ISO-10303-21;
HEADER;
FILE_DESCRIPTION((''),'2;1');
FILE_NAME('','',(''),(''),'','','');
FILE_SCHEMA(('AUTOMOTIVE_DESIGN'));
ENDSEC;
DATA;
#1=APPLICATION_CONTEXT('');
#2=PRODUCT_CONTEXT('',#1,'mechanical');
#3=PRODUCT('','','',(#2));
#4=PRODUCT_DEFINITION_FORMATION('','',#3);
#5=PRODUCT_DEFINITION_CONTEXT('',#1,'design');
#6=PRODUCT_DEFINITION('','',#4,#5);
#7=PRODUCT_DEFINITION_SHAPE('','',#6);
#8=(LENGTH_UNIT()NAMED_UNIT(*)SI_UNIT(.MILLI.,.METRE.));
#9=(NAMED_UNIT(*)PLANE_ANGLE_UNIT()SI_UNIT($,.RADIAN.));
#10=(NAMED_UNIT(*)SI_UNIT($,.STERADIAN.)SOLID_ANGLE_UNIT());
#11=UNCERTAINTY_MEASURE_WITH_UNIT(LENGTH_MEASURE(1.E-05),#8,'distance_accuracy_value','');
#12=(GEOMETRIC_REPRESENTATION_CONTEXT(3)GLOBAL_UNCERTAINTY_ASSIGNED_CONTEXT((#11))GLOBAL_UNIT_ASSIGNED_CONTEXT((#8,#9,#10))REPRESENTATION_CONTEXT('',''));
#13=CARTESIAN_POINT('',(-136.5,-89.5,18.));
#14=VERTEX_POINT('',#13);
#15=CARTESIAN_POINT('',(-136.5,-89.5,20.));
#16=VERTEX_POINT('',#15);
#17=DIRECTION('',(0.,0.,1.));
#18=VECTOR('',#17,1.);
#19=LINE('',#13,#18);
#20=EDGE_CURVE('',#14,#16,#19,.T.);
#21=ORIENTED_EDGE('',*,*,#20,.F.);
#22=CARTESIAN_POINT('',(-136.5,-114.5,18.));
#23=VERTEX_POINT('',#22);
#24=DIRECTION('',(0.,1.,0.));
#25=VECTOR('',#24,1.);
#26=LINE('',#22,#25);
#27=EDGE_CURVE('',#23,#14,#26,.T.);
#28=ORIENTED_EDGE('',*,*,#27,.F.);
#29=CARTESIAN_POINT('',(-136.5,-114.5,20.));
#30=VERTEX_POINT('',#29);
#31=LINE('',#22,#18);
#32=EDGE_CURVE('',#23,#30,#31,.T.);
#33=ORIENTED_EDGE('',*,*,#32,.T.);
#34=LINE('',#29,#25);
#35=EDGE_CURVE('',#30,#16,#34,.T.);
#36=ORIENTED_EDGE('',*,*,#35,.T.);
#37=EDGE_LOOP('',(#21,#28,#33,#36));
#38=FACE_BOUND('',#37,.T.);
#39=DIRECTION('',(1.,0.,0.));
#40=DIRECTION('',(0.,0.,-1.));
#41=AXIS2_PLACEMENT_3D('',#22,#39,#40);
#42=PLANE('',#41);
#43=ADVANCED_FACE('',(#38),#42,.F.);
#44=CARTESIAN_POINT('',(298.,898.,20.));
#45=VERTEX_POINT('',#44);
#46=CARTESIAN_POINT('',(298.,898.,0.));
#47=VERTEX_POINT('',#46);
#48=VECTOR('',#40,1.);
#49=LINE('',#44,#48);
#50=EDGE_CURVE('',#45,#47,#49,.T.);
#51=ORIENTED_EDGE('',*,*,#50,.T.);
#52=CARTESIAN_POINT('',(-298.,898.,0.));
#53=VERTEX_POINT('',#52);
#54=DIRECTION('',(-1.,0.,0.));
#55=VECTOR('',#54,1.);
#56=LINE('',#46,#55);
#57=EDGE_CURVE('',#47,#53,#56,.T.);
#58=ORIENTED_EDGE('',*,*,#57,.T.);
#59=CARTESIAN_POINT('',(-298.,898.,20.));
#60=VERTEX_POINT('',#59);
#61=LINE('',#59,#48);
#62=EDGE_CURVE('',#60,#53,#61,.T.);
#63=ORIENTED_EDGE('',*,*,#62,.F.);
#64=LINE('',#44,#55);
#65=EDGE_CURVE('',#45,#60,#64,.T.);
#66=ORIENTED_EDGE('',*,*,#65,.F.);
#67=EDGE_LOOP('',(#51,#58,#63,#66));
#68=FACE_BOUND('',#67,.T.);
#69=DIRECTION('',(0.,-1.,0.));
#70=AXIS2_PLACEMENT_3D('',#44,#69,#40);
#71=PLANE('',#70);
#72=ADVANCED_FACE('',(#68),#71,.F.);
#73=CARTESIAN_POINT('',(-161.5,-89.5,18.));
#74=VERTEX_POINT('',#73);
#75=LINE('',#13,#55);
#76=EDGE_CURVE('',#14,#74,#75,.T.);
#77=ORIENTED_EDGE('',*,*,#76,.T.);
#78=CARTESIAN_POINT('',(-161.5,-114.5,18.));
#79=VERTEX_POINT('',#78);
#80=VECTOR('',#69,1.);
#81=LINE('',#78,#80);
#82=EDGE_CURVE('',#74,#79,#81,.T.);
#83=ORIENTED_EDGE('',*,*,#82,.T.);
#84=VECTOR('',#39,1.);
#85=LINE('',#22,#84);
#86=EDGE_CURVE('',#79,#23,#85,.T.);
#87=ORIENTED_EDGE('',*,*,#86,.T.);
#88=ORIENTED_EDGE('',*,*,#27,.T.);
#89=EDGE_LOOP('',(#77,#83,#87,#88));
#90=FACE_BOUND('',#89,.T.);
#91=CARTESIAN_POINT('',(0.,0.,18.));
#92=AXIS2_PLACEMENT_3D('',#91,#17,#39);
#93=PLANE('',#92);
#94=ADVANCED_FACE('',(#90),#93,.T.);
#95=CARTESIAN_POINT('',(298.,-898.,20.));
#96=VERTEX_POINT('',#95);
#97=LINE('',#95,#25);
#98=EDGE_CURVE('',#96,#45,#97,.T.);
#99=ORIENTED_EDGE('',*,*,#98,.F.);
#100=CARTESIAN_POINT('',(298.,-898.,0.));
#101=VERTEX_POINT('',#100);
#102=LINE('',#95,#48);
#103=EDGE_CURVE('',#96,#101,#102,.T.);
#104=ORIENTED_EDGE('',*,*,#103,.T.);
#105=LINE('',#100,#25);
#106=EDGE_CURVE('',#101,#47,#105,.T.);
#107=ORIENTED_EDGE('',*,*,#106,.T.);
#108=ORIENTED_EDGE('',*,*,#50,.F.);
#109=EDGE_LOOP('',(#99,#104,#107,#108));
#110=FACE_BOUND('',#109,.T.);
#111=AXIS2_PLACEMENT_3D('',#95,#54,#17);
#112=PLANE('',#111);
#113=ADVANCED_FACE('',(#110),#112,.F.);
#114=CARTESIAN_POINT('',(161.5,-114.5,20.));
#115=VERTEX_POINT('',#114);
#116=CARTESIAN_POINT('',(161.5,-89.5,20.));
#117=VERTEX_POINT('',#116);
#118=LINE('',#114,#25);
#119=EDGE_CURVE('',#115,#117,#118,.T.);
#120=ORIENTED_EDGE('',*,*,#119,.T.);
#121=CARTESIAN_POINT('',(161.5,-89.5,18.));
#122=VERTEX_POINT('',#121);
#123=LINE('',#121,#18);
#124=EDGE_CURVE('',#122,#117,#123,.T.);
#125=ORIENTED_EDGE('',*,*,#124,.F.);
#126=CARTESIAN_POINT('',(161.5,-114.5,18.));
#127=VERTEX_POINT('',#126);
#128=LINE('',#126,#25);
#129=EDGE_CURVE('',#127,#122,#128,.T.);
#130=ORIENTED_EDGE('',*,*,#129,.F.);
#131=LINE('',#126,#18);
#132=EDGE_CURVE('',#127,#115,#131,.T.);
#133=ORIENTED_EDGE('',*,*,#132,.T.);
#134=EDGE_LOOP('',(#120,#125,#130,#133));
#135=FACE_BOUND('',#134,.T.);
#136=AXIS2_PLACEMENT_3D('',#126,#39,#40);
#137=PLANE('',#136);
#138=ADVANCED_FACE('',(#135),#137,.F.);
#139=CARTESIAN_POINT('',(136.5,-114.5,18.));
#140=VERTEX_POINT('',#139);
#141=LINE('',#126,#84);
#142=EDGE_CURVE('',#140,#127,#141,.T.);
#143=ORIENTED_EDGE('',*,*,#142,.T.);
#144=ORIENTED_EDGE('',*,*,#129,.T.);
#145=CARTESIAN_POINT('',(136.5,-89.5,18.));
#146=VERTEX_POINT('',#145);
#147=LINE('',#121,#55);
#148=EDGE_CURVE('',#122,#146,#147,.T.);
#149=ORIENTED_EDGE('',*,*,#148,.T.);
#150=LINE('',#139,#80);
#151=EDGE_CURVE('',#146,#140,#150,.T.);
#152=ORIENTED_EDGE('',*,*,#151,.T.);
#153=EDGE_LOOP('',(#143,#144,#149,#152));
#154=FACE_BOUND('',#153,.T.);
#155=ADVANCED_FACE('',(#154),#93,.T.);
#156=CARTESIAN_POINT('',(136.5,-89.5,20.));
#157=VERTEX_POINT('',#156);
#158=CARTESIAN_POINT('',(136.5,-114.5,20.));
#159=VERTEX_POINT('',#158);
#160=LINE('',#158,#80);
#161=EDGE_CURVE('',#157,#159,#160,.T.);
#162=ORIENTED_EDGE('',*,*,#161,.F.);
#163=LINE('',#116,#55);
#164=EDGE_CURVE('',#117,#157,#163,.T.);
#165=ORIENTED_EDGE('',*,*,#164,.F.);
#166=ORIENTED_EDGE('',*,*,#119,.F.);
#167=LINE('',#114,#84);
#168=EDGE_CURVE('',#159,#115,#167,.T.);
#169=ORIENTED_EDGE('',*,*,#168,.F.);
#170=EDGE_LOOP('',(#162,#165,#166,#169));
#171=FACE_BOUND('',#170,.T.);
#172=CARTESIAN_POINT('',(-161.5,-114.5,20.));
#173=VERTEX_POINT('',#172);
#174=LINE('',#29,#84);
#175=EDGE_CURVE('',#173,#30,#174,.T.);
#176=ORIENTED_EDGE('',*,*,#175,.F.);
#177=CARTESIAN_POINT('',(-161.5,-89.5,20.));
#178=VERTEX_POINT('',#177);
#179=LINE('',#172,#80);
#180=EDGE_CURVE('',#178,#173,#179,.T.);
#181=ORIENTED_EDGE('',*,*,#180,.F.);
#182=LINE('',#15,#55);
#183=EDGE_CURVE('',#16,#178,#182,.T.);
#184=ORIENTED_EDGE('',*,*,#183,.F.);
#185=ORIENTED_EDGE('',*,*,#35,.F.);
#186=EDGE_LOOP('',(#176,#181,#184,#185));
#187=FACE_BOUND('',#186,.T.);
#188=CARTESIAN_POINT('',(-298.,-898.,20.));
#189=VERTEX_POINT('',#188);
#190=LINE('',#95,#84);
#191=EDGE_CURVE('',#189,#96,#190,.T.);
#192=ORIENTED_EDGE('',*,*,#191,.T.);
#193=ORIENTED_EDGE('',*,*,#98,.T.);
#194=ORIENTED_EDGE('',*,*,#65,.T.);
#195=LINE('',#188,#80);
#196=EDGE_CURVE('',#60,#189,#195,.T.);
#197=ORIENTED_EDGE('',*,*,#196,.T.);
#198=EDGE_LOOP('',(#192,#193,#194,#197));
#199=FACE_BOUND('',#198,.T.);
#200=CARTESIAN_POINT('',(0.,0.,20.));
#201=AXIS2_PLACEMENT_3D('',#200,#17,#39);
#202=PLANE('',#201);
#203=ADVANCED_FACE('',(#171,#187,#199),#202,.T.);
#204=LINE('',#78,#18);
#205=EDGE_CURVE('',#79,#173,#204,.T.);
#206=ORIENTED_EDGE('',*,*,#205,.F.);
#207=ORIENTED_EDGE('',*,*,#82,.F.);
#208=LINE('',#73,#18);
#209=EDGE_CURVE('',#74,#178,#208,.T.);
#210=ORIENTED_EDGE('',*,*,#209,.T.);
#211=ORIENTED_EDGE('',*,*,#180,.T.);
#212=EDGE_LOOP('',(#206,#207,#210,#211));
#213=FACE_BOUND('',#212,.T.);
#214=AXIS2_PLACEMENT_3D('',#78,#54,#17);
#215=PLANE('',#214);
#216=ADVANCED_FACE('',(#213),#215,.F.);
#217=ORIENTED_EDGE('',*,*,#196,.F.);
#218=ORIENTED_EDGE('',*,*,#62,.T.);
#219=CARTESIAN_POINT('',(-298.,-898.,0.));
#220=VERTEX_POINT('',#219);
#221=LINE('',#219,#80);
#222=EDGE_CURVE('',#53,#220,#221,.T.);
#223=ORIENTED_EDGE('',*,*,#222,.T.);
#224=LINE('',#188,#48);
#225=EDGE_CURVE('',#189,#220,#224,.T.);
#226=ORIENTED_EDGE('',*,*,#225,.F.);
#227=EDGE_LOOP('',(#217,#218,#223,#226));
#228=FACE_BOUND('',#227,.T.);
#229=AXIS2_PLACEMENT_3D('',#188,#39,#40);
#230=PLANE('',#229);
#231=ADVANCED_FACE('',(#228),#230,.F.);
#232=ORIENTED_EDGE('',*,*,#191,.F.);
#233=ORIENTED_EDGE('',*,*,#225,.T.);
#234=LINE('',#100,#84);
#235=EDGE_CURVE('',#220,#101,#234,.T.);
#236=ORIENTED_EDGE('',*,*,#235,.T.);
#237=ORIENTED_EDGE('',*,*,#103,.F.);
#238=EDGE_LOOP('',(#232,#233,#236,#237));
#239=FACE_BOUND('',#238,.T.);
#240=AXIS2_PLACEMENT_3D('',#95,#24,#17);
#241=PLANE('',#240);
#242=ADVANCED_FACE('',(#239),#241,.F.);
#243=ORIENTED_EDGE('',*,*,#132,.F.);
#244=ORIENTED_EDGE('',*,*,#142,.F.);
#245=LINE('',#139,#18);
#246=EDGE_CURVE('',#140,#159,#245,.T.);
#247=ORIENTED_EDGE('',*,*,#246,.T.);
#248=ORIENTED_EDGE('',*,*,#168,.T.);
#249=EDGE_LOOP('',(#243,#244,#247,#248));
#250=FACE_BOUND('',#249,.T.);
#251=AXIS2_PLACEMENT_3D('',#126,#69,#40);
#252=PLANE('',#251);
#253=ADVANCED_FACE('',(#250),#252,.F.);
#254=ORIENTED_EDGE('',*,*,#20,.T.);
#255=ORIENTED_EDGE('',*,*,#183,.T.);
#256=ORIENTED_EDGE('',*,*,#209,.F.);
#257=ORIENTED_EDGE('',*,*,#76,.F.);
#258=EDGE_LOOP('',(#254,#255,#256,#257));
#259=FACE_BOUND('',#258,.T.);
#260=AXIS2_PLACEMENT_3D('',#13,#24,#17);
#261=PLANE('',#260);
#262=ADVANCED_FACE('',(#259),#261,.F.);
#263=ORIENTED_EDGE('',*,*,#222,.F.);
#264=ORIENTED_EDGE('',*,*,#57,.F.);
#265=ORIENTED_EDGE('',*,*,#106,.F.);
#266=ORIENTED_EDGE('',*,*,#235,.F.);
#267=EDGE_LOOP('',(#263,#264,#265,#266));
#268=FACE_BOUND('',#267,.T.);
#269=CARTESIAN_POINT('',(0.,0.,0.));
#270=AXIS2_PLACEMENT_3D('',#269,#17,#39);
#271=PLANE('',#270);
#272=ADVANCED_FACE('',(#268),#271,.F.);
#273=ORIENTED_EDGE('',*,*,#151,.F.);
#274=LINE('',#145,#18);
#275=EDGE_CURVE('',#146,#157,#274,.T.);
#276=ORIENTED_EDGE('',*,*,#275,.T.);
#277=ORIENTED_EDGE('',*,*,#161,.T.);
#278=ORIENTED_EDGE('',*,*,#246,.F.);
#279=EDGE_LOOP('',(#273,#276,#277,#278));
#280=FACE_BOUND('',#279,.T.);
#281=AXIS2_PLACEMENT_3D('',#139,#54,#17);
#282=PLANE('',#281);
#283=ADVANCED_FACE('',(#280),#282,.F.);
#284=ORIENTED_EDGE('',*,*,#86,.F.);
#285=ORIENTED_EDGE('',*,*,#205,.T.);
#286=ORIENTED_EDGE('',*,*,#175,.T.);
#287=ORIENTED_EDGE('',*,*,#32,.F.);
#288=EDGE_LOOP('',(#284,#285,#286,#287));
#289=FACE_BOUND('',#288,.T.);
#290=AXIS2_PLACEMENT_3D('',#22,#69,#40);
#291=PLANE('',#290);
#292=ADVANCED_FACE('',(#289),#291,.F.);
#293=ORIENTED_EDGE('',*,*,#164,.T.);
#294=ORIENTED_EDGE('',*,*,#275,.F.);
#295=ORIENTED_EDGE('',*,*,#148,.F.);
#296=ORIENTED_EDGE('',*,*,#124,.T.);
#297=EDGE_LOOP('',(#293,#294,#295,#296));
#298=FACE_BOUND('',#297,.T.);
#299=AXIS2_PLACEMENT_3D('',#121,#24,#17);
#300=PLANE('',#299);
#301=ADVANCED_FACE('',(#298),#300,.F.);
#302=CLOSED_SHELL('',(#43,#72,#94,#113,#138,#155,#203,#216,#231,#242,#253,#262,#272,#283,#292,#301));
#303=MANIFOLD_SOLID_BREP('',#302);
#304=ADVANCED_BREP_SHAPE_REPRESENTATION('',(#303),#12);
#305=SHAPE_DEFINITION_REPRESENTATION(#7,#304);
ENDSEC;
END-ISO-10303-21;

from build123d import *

# Parameters (mm, degrees)
SKETCH1_W           = 596
SKETCH1_H           = 1796
BOSS_EXTRUDE1_DEPTH = 20
SKETCH2_W           = 25
SKETCH2_H           = 25
CUT_EXTRUDE1_DEPTH  = 2


with BuildPart() as part:
    # Sketch1 → Boss-Extrude1 (new body)
    with BuildSketch(Plane.XY):
        Rectangle(SKETCH1_W, SKETCH1_H)
    extrude(amount=BOSS_EXTRUDE1_DEPTH)

    # Sketch2 → Cut-Extrude1 (cut)
    with BuildSketch(Plane.XY.offset(20)):
        with Locations((-149, -102)):
            Rectangle(SKETCH2_W, SKETCH2_H)
        with Locations((149, -102)):
            Rectangle(SKETCH2_W, SKETCH2_H)
    extrude(amount=-CUT_EXTRUDE1_DEPTH, mode=Mode.SUBTRACT)


solid = part.part
